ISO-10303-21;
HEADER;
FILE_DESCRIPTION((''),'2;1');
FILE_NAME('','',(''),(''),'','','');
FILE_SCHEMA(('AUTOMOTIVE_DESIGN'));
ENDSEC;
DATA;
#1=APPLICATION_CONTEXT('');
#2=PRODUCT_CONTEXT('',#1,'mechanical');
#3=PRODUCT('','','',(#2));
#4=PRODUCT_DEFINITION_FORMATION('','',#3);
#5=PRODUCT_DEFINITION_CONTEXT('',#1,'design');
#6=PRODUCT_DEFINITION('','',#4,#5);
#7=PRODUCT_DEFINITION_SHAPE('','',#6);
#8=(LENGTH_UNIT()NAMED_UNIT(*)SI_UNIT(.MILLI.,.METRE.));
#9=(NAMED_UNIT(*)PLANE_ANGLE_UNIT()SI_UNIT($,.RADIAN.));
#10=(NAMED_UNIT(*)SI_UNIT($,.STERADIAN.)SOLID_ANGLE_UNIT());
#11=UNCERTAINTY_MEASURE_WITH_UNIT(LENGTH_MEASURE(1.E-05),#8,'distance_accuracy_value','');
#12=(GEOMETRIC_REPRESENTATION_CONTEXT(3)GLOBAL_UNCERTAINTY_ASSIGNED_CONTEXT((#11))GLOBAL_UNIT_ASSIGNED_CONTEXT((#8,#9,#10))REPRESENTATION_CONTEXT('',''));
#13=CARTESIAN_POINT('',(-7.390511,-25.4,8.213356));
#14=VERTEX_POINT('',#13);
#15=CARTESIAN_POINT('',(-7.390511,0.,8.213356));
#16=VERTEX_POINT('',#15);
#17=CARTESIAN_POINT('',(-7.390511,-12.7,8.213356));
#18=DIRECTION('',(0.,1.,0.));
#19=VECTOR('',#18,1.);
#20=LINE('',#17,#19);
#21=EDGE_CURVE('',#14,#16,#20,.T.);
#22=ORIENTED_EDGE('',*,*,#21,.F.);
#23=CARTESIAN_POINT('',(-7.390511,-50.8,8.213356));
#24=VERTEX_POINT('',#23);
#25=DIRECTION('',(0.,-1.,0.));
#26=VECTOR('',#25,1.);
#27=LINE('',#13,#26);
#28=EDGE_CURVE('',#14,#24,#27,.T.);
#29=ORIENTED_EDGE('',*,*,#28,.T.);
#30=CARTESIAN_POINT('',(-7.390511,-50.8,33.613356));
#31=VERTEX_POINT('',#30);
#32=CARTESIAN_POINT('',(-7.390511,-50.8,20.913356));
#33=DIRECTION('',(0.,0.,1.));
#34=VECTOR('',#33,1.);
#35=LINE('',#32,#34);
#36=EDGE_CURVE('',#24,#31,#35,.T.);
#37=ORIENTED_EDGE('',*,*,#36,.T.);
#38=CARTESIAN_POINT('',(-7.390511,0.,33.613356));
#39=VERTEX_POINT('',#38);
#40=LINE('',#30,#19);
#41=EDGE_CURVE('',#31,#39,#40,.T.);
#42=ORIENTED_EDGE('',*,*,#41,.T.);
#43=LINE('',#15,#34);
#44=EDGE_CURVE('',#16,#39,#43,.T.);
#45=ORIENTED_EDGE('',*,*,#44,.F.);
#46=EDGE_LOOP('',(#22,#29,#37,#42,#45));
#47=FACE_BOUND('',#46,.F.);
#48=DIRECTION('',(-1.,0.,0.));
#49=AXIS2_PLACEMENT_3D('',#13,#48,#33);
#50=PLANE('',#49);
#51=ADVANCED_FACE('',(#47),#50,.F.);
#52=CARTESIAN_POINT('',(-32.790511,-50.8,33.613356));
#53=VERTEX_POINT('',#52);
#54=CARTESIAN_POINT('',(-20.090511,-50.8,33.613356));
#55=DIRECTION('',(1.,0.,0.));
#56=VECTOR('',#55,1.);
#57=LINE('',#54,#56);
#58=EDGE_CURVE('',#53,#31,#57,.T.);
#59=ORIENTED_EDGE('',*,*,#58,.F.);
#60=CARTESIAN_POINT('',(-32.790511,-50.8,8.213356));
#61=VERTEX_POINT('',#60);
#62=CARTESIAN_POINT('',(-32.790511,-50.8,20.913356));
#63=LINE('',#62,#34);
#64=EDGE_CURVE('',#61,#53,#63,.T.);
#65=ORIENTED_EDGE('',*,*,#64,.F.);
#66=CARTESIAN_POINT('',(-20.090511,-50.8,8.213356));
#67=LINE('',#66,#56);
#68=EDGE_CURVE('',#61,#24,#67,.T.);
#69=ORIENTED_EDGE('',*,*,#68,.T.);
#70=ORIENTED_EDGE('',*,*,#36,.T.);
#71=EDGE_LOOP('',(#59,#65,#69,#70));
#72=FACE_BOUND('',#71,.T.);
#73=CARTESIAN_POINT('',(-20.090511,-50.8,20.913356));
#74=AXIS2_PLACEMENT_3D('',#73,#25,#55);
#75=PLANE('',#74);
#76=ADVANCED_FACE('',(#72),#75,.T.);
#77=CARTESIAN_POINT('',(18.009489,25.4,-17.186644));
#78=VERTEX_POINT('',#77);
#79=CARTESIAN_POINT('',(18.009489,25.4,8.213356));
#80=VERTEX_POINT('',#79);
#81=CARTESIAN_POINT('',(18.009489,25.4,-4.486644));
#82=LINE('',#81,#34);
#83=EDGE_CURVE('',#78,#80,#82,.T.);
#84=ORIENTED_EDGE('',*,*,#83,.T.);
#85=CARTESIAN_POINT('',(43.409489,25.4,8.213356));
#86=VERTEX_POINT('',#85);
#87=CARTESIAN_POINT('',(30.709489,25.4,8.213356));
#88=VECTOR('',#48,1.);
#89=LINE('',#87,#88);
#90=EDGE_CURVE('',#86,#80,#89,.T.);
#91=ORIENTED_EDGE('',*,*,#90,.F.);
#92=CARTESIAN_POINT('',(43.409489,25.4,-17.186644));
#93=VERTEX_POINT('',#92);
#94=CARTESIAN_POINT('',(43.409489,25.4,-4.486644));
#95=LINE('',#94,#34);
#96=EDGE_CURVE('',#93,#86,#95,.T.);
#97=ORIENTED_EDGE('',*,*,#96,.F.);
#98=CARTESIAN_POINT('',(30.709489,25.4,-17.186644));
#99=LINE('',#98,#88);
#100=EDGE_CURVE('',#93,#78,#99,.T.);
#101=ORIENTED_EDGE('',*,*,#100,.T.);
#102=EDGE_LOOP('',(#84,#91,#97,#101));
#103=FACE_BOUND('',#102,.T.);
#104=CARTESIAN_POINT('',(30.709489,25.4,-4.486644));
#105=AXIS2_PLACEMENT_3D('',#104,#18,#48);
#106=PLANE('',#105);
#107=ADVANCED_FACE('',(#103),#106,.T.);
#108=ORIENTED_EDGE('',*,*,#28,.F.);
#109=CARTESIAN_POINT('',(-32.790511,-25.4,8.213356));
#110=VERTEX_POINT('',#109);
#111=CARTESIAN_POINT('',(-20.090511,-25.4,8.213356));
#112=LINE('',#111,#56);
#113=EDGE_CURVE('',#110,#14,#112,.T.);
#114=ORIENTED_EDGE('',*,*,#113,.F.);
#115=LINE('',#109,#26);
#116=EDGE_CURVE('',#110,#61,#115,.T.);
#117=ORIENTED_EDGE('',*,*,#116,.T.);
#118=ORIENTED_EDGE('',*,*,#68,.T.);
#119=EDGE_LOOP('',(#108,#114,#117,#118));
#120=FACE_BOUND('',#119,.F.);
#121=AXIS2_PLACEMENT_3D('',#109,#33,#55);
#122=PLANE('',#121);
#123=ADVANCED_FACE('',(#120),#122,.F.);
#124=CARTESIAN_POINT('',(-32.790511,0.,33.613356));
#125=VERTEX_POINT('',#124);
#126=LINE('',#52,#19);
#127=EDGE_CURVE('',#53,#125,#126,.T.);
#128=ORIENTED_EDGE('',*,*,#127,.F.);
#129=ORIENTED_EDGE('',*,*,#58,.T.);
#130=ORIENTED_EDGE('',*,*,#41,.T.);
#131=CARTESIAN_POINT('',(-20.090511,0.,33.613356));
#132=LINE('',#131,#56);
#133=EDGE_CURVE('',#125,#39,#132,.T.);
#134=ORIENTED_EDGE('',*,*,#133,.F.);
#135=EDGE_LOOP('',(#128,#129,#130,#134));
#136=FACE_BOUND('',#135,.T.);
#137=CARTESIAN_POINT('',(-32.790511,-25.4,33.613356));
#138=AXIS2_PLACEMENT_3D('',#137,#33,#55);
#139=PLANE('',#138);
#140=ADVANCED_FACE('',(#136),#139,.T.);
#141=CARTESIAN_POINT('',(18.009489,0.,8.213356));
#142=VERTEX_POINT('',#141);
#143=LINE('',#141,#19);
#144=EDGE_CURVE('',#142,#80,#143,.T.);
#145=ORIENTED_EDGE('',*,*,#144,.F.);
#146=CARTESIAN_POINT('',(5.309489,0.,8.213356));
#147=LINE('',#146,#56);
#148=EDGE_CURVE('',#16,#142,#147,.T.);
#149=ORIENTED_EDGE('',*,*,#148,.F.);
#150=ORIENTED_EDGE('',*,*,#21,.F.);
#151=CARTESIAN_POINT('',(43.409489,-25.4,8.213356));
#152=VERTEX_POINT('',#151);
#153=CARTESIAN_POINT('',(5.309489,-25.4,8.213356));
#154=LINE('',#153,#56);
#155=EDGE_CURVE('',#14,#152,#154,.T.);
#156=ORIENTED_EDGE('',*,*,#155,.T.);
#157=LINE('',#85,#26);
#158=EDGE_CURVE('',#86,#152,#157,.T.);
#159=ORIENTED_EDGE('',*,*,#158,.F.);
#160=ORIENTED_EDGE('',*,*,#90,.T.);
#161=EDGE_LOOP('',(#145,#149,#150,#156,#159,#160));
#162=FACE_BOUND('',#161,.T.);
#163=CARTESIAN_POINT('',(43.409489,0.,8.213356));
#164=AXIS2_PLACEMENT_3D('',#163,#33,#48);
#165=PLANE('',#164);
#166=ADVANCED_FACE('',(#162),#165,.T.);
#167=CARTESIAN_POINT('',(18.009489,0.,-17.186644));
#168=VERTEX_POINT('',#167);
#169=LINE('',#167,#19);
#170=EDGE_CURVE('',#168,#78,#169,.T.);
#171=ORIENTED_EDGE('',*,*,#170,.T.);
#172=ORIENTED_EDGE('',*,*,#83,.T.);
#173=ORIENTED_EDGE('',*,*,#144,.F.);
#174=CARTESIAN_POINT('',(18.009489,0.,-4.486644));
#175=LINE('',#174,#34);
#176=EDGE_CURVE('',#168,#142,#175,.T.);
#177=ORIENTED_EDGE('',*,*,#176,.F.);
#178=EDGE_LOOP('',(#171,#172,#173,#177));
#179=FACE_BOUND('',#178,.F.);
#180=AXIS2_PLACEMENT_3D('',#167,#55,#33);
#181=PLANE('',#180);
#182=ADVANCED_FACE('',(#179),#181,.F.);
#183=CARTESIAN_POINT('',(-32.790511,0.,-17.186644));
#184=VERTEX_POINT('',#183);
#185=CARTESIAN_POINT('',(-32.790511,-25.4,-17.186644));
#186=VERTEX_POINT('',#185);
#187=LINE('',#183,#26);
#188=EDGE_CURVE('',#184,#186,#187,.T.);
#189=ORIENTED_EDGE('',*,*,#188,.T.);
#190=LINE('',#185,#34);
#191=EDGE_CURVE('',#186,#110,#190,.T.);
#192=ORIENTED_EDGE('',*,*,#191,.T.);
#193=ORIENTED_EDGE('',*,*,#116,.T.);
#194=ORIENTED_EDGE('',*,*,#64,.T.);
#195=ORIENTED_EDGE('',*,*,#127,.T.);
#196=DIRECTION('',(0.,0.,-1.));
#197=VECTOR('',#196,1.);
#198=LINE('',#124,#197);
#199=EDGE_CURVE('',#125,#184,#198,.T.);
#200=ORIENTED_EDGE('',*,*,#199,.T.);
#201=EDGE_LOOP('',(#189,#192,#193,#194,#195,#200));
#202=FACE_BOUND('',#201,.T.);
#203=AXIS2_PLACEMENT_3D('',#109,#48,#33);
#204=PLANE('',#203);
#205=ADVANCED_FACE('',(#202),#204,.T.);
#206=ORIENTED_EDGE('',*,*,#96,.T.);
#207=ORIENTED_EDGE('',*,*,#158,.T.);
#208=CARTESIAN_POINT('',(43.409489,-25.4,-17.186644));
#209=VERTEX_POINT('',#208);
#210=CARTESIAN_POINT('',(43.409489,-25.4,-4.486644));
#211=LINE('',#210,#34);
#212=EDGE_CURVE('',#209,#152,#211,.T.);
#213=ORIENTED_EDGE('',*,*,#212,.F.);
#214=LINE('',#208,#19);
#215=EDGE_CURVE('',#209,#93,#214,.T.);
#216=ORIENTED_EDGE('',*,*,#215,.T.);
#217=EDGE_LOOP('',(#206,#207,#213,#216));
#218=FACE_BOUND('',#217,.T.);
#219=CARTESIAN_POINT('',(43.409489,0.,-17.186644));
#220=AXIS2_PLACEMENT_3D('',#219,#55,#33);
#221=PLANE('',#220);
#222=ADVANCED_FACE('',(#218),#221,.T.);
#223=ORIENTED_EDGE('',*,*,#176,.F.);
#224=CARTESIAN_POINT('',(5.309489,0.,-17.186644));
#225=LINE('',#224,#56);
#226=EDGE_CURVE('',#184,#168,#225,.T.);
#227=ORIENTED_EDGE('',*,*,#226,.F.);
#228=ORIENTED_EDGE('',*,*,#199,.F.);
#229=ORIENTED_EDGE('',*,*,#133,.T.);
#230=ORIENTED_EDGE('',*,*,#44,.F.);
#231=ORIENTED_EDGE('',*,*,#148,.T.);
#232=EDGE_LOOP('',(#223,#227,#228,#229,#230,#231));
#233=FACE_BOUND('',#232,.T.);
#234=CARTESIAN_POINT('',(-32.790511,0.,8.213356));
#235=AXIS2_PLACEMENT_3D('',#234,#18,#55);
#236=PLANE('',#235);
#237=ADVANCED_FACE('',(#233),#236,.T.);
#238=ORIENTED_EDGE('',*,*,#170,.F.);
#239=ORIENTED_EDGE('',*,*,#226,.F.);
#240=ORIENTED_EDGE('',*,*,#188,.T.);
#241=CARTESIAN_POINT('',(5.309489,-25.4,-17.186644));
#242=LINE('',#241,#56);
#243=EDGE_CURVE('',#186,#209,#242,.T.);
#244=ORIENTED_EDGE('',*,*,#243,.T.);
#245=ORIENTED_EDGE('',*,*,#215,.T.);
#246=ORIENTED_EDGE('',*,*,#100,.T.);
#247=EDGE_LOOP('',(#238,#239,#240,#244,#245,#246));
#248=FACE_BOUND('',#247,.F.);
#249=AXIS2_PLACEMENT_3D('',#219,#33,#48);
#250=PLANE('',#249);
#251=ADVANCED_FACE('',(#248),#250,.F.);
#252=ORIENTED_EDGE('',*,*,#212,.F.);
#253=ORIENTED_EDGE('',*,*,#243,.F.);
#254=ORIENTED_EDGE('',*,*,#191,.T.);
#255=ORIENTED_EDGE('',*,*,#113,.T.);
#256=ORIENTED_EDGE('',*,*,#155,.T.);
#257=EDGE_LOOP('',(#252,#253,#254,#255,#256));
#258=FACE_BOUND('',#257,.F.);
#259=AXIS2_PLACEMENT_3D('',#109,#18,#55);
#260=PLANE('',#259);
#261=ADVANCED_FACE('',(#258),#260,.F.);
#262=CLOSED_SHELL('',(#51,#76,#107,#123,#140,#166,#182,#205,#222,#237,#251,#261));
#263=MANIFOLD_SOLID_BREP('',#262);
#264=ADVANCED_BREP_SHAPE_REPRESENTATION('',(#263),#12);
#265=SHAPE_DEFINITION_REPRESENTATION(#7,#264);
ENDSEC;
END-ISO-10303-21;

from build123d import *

# Parameters (mm, degrees)
F0_W     = 76.2
F0_H     = 25.4
F1_DEPTH = 25.4
F2_W     = 25.4
F2_H     = 25.4
F3_DEPTH = 25.4
F4_W     = 25.4
F4_H     = 25.4
F5_DEPTH = 25.4
F6_W     = 25.4
F6_H     = 25.4
F7_DEPTH = 25.4


with BuildPart() as f1:
    # F0 (on Front) → F1 (new body)
    with BuildSketch(Plane.XZ):
        with Locations((5.309489, -4.486644)):
            Rectangle(F0_W, F0_H)
    extrude(amount=F1_DEPTH)

    # F2 (on face) → F3 (join)
    with BuildSketch(Plane(origin=(0, 0, 0), x_dir=(-1, 0, 0), z_dir=(0, 1, 0))):
        with Locations((-30.709489, -4.486644)):
            Rectangle(F2_W, F2_H)
    extrude(amount=F3_DEPTH)

    # F4 (on face) → F5 (join)
    with BuildSketch(Plane.XY.offset(8.213356)):
        with Locations((-20.090511, -12.7)):
            Rectangle(F4_W, F4_H)
    extrude(amount=F5_DEPTH)

    # F6 (on face) → F7 (join)
    with BuildSketch(Plane.XZ.offset(25.4)):
        with Locations((-20.090511, 20.913356)):
            Rectangle(F6_W, F6_H)
    extrude(amount=F7_DEPTH)


solid = f1.part
